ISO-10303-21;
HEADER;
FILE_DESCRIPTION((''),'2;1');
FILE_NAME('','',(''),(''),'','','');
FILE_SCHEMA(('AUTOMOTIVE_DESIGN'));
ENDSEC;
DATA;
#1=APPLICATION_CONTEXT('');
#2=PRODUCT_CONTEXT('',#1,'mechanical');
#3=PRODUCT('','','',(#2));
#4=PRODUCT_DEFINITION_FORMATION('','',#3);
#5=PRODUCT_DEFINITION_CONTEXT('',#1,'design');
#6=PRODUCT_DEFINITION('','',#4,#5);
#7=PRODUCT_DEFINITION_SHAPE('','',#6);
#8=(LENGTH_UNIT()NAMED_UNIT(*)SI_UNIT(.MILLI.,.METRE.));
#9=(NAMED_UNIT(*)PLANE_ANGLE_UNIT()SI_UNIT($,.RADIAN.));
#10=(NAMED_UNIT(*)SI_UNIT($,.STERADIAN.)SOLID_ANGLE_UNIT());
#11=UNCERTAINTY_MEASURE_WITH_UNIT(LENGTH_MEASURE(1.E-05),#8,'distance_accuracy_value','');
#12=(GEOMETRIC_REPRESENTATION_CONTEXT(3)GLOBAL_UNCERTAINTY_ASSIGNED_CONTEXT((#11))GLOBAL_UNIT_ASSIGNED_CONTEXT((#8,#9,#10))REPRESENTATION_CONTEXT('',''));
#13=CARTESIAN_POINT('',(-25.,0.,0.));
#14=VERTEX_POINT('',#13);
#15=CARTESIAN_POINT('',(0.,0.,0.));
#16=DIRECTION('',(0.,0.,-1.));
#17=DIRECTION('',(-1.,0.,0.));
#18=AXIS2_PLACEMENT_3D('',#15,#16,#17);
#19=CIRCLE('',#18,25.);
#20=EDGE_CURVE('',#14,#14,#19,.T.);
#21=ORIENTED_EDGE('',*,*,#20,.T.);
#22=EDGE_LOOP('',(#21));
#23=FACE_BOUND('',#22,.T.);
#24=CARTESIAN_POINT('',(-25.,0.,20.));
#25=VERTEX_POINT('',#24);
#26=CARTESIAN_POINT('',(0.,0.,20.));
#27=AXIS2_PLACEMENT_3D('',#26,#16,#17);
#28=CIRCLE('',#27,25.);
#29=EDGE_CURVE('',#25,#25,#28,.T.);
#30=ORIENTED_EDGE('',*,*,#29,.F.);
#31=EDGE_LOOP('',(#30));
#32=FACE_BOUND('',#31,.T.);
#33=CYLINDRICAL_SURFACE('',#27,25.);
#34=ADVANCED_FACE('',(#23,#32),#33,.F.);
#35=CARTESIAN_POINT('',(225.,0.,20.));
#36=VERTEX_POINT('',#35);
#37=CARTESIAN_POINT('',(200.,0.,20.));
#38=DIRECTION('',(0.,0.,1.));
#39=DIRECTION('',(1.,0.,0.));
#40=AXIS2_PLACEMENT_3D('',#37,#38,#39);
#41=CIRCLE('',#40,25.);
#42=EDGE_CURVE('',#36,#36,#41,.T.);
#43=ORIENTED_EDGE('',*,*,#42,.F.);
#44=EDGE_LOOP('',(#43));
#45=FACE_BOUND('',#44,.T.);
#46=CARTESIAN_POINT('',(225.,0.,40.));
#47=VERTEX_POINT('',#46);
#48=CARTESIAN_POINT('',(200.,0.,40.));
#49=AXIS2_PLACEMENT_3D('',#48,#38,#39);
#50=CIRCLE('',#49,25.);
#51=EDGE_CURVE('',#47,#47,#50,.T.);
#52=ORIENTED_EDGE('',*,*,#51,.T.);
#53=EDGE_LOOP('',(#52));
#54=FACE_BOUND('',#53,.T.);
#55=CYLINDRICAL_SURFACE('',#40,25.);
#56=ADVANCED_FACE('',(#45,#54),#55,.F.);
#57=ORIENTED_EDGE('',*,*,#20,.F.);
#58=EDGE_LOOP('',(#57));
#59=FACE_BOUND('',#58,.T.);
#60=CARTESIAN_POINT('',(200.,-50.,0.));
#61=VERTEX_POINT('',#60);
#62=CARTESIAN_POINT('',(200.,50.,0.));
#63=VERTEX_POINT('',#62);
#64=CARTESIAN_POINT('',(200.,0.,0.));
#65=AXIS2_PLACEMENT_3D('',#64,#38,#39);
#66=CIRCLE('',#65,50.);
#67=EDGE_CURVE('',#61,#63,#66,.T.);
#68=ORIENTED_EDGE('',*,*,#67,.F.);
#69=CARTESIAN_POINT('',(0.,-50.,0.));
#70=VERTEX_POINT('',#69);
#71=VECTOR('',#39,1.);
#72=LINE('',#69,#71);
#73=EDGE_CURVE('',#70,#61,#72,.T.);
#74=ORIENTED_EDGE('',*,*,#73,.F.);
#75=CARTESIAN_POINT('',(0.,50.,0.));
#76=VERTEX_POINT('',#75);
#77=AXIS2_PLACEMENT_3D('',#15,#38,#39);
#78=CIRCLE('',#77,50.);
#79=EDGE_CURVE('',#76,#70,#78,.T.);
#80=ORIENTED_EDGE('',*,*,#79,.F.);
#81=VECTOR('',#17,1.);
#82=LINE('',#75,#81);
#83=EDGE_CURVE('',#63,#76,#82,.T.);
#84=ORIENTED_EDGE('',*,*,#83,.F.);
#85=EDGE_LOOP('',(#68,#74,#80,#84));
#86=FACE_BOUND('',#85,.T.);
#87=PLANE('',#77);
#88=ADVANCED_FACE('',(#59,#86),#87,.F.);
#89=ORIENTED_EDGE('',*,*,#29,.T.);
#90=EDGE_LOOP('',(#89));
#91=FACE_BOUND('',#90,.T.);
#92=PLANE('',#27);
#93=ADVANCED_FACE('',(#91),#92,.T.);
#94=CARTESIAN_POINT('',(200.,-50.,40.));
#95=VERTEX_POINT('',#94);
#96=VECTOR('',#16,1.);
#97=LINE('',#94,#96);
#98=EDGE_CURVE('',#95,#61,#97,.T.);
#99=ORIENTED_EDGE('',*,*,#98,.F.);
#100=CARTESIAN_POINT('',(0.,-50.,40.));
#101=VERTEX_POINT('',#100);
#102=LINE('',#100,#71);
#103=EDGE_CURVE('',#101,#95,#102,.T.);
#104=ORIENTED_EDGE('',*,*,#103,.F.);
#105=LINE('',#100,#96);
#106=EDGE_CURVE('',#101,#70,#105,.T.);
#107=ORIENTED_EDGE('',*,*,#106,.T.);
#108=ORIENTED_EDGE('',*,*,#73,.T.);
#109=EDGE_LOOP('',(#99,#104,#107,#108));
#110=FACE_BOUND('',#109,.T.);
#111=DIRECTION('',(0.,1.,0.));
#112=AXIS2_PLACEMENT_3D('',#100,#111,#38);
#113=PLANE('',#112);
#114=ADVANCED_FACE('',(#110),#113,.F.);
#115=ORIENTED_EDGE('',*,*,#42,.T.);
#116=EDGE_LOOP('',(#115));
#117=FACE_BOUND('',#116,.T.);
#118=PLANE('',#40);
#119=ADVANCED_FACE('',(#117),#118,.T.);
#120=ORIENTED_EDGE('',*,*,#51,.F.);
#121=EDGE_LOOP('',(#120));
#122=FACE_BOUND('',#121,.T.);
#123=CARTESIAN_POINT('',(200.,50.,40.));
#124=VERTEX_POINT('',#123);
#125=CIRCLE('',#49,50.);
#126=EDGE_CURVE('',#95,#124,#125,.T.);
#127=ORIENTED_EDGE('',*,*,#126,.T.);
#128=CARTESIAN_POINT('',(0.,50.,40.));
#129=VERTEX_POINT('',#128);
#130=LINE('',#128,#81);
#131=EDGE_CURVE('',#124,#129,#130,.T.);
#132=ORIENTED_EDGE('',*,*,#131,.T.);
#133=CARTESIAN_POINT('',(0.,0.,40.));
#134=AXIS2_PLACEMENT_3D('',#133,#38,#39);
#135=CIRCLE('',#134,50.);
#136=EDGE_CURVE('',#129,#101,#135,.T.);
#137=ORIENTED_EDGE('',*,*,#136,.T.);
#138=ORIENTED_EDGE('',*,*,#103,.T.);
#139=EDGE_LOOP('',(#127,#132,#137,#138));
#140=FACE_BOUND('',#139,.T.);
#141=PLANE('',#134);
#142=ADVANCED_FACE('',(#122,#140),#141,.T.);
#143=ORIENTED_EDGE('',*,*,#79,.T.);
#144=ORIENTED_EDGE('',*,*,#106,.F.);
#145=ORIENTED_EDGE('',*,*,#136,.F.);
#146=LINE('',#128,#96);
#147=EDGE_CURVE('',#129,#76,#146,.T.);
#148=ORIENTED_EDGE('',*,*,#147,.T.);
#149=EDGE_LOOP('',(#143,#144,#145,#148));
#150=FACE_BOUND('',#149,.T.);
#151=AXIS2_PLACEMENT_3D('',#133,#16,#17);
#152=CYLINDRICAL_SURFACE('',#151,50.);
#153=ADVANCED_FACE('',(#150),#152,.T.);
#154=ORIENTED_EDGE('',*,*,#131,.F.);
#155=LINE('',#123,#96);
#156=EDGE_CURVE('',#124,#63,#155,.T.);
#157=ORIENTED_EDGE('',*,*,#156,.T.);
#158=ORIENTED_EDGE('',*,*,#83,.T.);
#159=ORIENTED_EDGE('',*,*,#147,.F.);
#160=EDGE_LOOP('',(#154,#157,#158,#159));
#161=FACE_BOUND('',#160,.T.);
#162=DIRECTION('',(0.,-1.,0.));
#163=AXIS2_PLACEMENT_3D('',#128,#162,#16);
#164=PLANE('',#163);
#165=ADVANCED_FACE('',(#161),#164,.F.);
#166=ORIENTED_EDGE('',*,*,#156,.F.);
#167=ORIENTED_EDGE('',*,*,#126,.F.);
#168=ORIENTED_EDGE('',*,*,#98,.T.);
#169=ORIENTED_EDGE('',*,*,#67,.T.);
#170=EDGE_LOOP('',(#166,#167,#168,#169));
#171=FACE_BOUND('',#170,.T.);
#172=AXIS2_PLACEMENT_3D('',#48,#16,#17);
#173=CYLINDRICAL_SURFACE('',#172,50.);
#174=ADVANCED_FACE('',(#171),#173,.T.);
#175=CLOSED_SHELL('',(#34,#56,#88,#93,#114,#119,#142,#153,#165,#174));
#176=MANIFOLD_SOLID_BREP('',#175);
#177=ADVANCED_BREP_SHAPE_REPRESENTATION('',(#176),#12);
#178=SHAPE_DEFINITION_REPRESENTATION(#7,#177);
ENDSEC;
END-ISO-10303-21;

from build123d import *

# Parameters (mm, degrees)
EXTRUDE_1_DEPTH     = 40
SKETCH_2_R          = 25
CUT_EXTRUDE_1_DEPTH = 20
SKETCH_3_R          = 25
CUT_EXTRUDE_2_DEPTH = 20


with BuildPart() as part:
    # 草图1 → 凸台-拉伸1 (new body)
    with BuildSketch(Plane.XY):
        with BuildLine():
            Line((0, 50), (200, 50))
            ThreePointArc((200, 50), (250, 0), (200, -50))
            Line((200, -50), (0, -50))
            ThreePointArc((0, -50), (-50, 0), (0, 50))
        make_face()
    extrude(amount=EXTRUDE_1_DEPTH)

    # 草图2 → 切除-拉伸1 (cut)
    with BuildSketch(Plane(origin=(0, 0, 0), x_dir=(-1, 0, 0), z_dir=(0, 0, -1))):
        Circle(SKETCH_2_R)
    extrude(amount=-CUT_EXTRUDE_1_DEPTH, mode=Mode.SUBTRACT)

    # 草图3 → 切除-拉伸2 (cut)
    with BuildSketch(Plane.XY.offset(40)):
        with Locations((200, 0)):
            Circle(SKETCH_3_R)
    extrude(amount=-CUT_EXTRUDE_2_DEPTH, mode=Mode.SUBTRACT)


solid = part.part
